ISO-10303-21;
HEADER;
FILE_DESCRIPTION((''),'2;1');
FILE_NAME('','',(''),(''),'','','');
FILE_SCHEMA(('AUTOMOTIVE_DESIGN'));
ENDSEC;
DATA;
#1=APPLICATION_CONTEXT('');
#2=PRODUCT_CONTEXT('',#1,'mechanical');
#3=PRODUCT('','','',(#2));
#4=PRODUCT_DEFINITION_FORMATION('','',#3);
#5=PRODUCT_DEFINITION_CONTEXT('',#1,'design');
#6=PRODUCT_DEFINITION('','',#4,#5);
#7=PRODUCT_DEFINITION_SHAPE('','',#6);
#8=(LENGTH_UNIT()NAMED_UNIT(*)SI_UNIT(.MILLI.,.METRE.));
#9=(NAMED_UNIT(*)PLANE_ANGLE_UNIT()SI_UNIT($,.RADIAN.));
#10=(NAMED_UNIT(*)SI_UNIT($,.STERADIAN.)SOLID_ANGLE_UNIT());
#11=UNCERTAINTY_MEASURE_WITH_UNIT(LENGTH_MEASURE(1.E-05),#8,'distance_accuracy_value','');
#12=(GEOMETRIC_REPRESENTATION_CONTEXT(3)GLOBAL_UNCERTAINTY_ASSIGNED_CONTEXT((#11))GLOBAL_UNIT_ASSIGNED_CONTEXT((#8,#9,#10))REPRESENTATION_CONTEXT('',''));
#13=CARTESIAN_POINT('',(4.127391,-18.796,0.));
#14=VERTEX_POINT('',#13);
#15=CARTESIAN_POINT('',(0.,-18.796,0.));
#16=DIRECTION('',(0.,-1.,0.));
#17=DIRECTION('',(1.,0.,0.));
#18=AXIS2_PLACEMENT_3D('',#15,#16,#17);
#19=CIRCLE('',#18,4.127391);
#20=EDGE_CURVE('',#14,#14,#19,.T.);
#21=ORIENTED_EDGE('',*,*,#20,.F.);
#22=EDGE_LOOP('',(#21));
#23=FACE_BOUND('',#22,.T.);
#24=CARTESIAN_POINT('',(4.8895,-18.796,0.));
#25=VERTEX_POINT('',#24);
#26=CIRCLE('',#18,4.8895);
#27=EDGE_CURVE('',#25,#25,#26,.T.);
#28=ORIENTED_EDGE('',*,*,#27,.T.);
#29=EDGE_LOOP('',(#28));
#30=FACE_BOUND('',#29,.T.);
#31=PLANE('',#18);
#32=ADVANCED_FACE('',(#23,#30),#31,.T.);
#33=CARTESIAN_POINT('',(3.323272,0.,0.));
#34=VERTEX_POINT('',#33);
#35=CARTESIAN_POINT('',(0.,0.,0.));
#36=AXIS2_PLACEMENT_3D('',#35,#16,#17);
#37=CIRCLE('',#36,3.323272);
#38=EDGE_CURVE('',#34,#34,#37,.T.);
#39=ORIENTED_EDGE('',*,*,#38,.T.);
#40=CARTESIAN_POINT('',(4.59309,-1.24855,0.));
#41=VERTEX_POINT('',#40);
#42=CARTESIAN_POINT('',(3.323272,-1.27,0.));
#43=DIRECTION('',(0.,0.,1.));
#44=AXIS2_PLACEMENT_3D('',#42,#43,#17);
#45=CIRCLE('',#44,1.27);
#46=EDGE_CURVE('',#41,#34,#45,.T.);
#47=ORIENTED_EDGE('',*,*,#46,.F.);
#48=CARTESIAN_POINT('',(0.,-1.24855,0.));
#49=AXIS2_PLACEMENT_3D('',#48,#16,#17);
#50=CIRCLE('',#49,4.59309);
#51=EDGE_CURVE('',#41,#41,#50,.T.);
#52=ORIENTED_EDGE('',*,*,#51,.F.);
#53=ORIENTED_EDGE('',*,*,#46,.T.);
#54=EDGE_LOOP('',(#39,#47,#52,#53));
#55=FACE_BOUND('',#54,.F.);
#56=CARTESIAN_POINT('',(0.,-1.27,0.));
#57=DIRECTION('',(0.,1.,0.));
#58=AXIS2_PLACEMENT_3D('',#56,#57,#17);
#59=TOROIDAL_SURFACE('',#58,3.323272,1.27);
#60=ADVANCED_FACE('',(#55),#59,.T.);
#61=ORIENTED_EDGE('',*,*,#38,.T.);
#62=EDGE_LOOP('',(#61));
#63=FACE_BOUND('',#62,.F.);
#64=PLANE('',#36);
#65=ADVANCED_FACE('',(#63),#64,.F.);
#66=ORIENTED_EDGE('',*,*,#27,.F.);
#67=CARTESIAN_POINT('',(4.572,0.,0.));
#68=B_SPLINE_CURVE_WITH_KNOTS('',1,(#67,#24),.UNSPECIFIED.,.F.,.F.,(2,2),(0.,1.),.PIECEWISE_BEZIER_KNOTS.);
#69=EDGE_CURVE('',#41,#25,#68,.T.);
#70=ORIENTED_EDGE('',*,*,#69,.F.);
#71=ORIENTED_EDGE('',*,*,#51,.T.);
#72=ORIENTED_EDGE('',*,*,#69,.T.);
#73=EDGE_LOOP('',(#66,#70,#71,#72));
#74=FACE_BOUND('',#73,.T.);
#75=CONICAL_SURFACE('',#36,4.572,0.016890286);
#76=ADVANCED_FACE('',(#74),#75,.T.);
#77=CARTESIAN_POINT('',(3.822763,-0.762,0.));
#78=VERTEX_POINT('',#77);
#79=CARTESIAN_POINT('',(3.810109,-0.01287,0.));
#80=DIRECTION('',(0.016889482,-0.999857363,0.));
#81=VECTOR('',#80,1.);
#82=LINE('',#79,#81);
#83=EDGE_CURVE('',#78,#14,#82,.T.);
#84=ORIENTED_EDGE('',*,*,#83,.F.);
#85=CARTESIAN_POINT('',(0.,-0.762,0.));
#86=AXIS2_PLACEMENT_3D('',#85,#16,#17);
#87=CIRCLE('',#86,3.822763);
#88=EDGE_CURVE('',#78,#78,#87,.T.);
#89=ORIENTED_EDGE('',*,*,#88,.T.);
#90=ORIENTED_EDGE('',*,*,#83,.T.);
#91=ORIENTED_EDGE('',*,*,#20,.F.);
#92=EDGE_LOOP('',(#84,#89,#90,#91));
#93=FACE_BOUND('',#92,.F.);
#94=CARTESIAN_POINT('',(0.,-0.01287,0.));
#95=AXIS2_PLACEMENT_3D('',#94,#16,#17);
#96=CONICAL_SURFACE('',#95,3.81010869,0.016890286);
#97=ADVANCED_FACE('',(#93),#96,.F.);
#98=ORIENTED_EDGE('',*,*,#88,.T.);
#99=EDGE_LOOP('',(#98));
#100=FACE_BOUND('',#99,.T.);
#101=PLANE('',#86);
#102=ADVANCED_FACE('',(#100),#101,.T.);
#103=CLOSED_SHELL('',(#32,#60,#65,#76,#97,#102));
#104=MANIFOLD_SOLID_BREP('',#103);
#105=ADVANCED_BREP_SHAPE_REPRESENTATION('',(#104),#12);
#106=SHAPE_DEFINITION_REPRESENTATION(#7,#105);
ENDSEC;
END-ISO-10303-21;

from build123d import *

# Parameters (mm, degrees)
F0_R = 4.572
F2_R = 4.8895
F4_T = -0.762
F5_R = 1.27


with BuildPart() as f3:
    # F0 (on Front) → F3 section 0
    with BuildSketch(Plane.XZ):
        Circle(F0_R)
    # F2 (on offset) → F3 section 1
    with BuildSketch(Plane.XZ.offset(18.796)):
        Circle(F2_R)
    loft()

    # F4
    f4_openings = [f3.faces().sort_by_distance(p)[0] for p in [
        (0, -18.796, 0),
    ]]
    offset(amount=F4_T, openings=f4_openings, kind=Kind.INTERSECTION)

    # F5
    f5_edges = [f3.edges().sort_by_distance(p)[0] for p in [
        (-4.572, 0, 0),
    ]]
    fillet(f5_edges, radius=F5_R)


solid = f3.part
